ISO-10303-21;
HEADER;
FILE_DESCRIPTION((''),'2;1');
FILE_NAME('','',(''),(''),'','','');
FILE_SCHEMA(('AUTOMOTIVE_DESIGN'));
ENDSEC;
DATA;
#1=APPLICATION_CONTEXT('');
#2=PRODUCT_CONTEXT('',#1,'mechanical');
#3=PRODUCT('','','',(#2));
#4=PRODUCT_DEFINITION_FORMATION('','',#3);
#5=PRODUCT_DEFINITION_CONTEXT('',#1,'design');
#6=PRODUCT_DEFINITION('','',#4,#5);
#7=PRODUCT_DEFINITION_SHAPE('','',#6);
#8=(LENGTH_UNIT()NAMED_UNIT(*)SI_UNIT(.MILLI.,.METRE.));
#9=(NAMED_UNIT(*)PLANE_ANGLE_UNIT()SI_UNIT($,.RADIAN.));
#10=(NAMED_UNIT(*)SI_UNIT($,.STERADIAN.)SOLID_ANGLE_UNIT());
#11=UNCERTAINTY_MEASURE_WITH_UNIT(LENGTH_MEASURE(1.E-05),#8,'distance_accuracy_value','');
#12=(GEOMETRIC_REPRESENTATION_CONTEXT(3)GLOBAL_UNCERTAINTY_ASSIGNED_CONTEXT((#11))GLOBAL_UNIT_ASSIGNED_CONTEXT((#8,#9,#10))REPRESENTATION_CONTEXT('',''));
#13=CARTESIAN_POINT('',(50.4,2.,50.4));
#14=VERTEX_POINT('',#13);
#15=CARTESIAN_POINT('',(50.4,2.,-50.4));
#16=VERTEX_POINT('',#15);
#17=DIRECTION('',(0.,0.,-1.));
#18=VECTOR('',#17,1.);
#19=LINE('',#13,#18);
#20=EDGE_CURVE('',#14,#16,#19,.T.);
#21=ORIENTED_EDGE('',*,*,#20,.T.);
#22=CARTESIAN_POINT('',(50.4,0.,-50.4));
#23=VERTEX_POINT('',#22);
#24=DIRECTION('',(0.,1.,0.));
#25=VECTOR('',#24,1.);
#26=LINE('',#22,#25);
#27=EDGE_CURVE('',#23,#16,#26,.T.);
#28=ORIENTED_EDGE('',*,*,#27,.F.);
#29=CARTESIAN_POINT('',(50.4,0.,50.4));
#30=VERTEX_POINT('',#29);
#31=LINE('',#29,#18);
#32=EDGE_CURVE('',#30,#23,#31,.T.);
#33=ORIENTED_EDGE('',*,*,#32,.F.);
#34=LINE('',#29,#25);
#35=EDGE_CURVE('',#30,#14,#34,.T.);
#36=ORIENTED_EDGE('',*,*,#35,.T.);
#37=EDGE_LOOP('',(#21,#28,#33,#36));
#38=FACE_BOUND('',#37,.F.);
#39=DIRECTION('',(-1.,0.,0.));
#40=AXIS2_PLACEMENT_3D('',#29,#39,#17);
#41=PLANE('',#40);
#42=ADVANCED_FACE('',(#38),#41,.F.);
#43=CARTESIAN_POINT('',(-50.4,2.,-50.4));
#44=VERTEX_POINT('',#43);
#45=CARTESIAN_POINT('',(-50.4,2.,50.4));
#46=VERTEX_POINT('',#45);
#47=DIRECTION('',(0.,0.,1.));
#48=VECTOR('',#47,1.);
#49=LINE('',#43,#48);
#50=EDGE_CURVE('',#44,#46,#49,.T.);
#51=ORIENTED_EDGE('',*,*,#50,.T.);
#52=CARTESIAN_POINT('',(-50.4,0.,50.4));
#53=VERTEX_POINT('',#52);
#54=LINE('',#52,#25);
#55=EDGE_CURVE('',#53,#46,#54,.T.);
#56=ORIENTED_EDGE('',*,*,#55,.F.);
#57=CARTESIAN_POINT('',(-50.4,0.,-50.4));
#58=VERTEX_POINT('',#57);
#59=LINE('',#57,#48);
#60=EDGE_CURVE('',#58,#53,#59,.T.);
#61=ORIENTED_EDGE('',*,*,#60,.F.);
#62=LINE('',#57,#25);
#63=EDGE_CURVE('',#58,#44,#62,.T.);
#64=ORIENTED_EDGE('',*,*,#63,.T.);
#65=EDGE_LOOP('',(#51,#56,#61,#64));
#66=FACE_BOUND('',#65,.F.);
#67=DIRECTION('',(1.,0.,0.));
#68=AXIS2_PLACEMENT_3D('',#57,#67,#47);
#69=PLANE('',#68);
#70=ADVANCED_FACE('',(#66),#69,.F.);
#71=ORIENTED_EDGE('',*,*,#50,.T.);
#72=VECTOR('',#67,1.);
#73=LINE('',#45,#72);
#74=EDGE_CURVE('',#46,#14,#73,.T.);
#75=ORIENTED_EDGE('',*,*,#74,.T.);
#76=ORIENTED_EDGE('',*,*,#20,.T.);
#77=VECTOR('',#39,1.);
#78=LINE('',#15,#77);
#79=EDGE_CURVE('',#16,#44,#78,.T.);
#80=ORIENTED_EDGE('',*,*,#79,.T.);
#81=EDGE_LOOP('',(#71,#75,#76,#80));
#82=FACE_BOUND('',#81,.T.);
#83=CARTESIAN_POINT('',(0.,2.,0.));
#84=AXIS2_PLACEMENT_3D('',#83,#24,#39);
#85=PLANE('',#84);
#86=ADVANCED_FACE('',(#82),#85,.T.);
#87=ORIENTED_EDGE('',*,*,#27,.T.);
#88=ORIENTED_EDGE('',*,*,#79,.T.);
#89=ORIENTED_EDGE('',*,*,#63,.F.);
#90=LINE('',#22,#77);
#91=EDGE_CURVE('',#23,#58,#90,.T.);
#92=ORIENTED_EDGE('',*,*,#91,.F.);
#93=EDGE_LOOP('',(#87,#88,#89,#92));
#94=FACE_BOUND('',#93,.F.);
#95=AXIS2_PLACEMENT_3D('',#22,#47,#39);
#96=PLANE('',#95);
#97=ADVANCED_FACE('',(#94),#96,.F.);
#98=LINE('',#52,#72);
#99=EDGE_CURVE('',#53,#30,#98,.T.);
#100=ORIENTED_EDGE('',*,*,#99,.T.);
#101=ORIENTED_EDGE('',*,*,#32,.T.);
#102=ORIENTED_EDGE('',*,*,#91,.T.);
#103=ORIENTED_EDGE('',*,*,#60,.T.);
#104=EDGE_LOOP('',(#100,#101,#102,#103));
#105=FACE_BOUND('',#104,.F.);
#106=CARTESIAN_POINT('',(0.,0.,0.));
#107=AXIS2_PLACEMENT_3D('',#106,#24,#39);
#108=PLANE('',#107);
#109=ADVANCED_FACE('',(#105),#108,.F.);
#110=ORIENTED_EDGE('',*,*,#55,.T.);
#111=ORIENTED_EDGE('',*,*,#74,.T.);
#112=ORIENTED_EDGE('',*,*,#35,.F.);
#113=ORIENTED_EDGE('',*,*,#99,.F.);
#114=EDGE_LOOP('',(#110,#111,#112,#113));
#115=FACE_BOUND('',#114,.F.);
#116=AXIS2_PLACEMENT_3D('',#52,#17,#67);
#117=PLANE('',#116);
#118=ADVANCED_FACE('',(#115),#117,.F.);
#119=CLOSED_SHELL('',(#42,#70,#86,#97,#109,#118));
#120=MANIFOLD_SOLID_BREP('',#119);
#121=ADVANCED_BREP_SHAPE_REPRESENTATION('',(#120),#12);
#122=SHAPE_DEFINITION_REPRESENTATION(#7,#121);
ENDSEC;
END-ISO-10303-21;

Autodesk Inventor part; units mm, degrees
ref_plane "YZ Plane" through (0, 0, 0) normal (1, 0, 0) x (0, 1, 0)
ref_plane "XZ Plane" through (0, 0, 0) normal (0, 1, 0) x (-1, 0, 0)
ref_plane "XY Plane" through (0, 0, 0) normal (0, 0, 1) x (1, 0, 0)
sketch "Sketch1" plane through (0, 0, 0) normal (0, 1, 0) x (-1, 0, 0)
  line L0 (50.4, 50.4) -> (-50.4, 50.4)
  line L1 (-50.4, 50.4) -> (-50.4, -50.4)
  line L2 (-50.4, -50.4) -> (50.4, -50.4)
  line L3 (50.4, -50.4) -> (50.4, 50.4)
  point P0 (0, 0)
  point P1 (0, -50.4)
  point P2 (50.4, 0)
  dimension "d0" = 100.8
extrude "Extrusion1" add sketch "Sketch1" along normal blind 2
properties part number "Sheet_2mm"
